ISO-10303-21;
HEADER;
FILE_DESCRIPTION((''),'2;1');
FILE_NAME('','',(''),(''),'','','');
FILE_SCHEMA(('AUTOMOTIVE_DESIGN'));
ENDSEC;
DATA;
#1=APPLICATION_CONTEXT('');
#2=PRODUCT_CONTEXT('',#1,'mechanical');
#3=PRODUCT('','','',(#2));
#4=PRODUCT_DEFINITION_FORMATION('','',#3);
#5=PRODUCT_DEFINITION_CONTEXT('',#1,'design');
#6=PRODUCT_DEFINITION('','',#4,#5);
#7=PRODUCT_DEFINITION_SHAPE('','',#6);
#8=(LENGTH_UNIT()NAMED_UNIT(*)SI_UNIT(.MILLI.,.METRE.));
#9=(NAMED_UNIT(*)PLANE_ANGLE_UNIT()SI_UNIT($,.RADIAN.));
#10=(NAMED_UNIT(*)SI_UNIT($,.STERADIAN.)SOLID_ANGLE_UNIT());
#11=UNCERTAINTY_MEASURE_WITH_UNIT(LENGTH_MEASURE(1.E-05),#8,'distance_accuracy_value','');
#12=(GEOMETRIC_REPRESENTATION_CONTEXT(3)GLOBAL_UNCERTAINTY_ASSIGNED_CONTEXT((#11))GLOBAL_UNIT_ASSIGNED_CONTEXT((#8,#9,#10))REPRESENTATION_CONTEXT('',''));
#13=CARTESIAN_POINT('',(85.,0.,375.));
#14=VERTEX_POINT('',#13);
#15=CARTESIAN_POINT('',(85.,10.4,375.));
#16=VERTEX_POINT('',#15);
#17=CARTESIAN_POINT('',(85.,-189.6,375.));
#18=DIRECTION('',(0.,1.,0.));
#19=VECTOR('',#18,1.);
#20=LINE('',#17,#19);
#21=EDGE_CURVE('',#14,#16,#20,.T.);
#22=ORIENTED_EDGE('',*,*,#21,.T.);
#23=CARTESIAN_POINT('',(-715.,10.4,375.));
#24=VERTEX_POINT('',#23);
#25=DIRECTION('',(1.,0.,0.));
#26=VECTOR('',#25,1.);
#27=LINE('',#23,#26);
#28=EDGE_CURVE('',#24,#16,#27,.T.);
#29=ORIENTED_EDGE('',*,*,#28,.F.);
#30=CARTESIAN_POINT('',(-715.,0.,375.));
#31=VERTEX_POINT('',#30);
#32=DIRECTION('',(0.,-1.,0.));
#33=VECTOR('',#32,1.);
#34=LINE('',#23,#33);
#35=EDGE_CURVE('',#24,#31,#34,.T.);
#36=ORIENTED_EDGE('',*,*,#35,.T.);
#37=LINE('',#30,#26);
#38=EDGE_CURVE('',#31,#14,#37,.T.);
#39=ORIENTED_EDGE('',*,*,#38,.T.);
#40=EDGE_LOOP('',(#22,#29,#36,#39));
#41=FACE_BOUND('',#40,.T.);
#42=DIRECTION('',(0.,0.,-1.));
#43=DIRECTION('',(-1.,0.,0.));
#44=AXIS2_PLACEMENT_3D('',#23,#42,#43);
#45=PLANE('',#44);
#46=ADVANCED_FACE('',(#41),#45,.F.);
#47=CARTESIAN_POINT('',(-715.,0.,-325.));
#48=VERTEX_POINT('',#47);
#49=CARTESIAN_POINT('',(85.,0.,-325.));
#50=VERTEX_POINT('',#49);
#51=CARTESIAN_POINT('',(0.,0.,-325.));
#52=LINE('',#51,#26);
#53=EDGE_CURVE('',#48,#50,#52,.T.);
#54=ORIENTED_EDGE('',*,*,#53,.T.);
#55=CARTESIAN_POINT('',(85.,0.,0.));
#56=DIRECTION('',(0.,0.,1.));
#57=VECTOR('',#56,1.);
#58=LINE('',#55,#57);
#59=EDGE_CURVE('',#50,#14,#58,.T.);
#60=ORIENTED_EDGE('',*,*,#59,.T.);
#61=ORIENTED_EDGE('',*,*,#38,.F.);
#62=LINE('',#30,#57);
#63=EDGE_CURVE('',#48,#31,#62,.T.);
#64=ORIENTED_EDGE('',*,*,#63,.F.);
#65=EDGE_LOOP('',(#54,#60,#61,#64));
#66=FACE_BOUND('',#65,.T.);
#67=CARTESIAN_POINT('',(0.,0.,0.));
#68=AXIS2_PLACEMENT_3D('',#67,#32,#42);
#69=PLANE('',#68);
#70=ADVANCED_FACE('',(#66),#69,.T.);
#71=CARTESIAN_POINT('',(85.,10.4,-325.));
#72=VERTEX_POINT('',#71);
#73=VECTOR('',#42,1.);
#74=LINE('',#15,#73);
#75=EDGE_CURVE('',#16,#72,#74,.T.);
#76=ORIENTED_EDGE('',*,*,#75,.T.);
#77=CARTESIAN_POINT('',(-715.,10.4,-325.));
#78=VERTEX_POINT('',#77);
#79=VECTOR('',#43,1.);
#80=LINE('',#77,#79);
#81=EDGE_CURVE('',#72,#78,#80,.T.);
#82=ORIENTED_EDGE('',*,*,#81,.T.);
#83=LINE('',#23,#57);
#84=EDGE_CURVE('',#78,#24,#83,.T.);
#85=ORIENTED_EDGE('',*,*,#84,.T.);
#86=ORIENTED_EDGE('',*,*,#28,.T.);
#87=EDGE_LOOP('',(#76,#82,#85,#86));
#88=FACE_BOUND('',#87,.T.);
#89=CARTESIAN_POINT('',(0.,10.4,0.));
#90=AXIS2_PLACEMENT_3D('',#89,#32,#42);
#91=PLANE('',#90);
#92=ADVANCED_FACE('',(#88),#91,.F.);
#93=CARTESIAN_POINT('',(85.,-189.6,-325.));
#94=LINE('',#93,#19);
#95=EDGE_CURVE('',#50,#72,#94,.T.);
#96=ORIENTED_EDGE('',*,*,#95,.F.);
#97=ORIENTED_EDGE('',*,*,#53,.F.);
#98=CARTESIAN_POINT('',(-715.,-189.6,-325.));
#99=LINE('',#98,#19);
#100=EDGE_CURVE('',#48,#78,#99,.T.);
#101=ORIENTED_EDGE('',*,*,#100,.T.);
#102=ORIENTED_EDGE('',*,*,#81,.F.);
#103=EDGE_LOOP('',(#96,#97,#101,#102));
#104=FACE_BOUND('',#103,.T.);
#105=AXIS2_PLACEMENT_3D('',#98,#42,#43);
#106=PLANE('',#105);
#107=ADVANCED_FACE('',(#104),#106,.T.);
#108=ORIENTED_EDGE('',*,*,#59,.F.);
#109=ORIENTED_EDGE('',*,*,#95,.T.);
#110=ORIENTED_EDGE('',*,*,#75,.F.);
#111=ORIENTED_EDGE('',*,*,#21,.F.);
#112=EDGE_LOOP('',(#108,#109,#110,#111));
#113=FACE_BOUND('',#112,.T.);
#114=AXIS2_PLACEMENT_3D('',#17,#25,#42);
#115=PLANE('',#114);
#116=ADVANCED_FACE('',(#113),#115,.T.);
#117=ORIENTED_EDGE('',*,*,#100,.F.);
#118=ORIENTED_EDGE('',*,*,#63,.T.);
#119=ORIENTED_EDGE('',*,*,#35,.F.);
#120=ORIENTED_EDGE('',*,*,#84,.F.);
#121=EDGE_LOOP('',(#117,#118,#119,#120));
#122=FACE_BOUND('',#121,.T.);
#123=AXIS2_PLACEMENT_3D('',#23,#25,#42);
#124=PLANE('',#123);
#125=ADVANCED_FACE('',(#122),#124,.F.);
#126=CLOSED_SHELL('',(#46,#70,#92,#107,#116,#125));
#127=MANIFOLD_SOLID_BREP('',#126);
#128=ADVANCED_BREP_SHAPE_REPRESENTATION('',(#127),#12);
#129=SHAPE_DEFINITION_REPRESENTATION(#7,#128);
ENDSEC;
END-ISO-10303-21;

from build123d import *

# Parameters (mm, degrees)
SZKIC1_W                    = 1430
SZKIC1_H                    = 750
DODANIE_WYCI_GNI_CIE1_DEPTH = 10.4
SZKIC3_W                    = 1754.949299291
SZKIC3_H                    = 1075.566752827
SZKIC3_W_2                  = 800
SZKIC3_H_2                  = 700
WYTNIJ_WYCI_GNI_CIE2_DEPTH  = 200


with BuildPart() as part:
    # Szkic1 → Dodanie-wyciągnięcie1 (new body)
    with BuildSketch(Plane(origin=(0, 0, 0), x_dir=(1, 0, 0), z_dir=(0, 1, 0))):
        Rectangle(SZKIC1_W, SZKIC1_H)
    extrude(amount=DODANIE_WYCI_GNI_CIE1_DEPTH)

    # Szkic3 → Wytnij-wyciągnięcie2 (cut)
    with BuildSketch(Plane(origin=(0, 10.4, 0), x_dir=(1, 0, 0), z_dir=(0, 1, 0))):
        with Locations((-1.467348912, 2.201023369)):
            Rectangle(SZKIC3_W, SZKIC3_H)
        with Locations((-315, -25)):
            Rectangle(SZKIC3_W_2, SZKIC3_H_2, mode=Mode.SUBTRACT)
    extrude(amount=-WYTNIJ_WYCI_GNI_CIE2_DEPTH, mode=Mode.SUBTRACT)


solid = part.part
